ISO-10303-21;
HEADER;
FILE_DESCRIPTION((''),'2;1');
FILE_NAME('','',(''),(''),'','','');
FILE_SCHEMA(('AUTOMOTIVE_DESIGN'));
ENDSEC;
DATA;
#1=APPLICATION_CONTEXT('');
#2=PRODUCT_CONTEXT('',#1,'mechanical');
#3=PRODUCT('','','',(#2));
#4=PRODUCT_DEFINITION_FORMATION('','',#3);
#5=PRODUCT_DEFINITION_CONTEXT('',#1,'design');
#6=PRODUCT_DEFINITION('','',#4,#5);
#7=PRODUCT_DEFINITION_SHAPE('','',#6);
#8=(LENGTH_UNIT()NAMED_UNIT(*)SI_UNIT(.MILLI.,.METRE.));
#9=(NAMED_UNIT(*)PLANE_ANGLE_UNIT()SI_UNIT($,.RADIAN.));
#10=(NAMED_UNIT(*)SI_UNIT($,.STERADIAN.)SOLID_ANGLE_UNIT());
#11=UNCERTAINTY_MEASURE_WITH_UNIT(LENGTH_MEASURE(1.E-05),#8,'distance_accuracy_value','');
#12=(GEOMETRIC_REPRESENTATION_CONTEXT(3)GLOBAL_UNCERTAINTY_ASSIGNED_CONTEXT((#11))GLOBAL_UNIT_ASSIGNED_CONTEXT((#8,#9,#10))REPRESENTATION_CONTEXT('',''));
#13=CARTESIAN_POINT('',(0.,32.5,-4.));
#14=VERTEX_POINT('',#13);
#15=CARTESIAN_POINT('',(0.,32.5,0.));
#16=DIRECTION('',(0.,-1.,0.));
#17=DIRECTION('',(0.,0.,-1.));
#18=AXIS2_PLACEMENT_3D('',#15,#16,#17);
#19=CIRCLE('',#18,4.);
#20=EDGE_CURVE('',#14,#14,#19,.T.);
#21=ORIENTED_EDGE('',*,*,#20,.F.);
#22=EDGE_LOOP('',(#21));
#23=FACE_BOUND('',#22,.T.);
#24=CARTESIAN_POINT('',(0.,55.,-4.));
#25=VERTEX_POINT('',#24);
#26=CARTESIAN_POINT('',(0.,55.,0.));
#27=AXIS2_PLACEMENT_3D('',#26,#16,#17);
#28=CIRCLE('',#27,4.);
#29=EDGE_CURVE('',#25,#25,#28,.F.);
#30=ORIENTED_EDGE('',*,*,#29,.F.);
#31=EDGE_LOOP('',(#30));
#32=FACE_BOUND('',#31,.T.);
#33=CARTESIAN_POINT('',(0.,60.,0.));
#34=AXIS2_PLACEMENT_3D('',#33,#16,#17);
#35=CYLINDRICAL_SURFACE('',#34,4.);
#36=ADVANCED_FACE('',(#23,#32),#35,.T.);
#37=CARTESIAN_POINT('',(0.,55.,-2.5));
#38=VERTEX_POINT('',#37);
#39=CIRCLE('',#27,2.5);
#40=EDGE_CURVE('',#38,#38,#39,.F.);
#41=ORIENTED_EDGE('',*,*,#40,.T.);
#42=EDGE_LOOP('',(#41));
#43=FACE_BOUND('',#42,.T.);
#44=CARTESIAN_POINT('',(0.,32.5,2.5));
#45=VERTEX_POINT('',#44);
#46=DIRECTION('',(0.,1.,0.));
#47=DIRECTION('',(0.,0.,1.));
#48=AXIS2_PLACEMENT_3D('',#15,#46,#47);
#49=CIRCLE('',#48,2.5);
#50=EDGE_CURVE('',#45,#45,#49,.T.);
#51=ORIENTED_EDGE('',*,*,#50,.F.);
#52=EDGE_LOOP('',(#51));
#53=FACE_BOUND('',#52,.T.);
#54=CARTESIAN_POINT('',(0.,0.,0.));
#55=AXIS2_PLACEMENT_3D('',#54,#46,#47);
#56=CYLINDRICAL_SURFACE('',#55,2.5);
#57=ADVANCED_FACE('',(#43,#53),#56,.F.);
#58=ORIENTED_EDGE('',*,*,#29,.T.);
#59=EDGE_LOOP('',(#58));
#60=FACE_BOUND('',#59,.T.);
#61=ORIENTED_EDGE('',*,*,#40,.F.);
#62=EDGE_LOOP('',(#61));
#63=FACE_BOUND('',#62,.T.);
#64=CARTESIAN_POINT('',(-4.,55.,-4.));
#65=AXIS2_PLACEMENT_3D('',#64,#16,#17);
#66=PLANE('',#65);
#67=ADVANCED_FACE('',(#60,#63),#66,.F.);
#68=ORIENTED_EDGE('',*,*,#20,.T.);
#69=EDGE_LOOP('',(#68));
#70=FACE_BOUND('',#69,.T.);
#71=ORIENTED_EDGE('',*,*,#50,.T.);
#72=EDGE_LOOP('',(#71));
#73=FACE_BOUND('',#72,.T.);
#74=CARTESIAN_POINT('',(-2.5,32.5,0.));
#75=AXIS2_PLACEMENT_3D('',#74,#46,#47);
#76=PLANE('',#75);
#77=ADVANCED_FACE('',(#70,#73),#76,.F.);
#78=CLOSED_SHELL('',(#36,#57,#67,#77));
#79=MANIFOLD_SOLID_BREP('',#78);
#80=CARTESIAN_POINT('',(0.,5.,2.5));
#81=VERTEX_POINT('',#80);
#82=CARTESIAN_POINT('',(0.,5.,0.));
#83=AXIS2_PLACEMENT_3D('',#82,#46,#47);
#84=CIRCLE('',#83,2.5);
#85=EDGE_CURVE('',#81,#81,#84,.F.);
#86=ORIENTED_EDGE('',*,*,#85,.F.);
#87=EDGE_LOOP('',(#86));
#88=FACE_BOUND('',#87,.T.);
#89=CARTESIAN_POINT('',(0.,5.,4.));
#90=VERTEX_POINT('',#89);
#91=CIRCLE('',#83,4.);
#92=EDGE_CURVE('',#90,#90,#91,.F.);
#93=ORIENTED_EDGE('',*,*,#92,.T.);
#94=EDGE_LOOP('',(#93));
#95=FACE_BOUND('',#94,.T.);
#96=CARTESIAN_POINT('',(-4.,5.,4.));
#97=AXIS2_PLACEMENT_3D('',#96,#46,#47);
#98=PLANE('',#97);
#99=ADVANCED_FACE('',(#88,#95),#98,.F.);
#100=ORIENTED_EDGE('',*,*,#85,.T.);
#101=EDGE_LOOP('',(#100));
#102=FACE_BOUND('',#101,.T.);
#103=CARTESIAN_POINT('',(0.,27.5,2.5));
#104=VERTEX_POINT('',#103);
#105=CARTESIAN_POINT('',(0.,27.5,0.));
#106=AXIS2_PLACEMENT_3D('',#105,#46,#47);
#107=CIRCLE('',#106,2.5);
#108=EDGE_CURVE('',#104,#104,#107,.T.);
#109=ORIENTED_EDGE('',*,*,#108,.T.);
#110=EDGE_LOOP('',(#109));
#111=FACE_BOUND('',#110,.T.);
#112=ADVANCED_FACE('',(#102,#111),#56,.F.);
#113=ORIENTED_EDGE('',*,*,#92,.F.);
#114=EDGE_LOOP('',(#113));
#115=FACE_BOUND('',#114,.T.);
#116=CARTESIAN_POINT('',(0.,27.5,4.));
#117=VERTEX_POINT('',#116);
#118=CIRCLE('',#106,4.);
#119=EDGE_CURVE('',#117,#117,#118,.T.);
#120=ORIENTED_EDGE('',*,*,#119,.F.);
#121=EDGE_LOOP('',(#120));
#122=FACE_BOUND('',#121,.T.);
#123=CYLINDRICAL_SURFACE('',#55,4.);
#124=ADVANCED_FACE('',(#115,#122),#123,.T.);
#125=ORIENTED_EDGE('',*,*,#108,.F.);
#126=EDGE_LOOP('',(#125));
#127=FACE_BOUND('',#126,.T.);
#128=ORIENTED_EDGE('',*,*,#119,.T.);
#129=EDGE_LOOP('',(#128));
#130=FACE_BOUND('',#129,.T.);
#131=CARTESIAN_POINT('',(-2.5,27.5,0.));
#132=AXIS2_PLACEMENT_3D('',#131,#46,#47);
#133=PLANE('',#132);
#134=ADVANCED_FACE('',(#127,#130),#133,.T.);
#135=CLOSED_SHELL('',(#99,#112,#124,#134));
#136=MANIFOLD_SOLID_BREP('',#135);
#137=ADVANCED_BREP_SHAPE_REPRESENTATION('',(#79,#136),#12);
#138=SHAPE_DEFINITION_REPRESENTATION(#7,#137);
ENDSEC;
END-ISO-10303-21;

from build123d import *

# Parameters (mm, degrees)
SKETCH2_R               = 2.5
BOSS_EXTRUDE1_DEPTH     = 60
CUT_EXTRUDE1_DEPTH      = 61.104076401
CUT_EXTRUDE1_DEPTH_BACK = 61.104076401
SKETCH4_W               = 16.005108063
SKETCH4_H               = 5
SKETCH5_R               = 4
BOSS_EXTRUDE2_DEPTH     = 27.5
SKETCH6_R               = 4
BOSS_EXTRUDE3_DEPTH     = 27.5
CUT_EXTRUDE2_DEPTH      = 61.266076693
CUT_EXTRUDE2_DEPTH_BACK = 61.266076693
SKETCH7_R               = 2.5
CUT_EXTRUDE3_DEPTH      = 61.266076693
CUT_EXTRUDE3_DEPTH_BACK = 61.266076693
SKETCH8_W               = 8
SKETCH8_H               = 5


with BuildPart() as part:
    # Sketch2 → Boss-Extrude1 (new body)
    with BuildSketch(Plane(origin=(0, 0, 0), x_dir=(1, 0, 0), z_dir=(0, 1, 0))):
        with Locations(Location((0, 0, 0), (0, 0, 270))):
            Circle(SKETCH2_R)
    extrude(amount=BOSS_EXTRUDE1_DEPTH)

    # Sketch4 → Cut-Extrude1 (cut, two sides: drawn at the far end of the back side and taken through both)
    with BuildSketch(Plane(origin=(0, 0, 0), x_dir=(0, 0, -1), z_dir=(1, 0, 0)).offset(-CUT_EXTRUDE1_DEPTH_BACK)):
        with Locations((-1.726998302, 30)):
            Rectangle(SKETCH4_W, SKETCH4_H)
    extrude(amount=CUT_EXTRUDE1_DEPTH + CUT_EXTRUDE1_DEPTH_BACK, mode=Mode.SUBTRACT)


with BuildPart() as cut_extrude1_piece_1:
    # of the separate pieces the step leaves, piece 1, a body of its own (cut_extrude1_pieces)
    add(part.part.solids().sort_by_distance((0, 0, 2.5))[0])

    # Sketch6 → Boss-Extrude3 (add, through all)
    with BuildSketch(Plane(origin=(0, 27.5, 0), x_dir=(1, 0, 0), z_dir=(0, 1, 0))):
        with Locations(Location((0, 0, 0), (0, 0, 90))):
            Circle(SKETCH6_R)
    extrude(amount=-BOSS_EXTRUDE3_DEPTH)


with BuildPart() as cut_extrude1_piece_2:
    # of the separate pieces the step leaves, piece 2, a body of its own (cut_extrude1_pieces)
    add(part.part.solids().sort_by_distance((0, 32.5, 2.5))[0])

    # Sketch5 → Boss-Extrude2 (add, through all)
    with BuildSketch(Plane.XZ.offset(-32.5)):
        with Locations(Location((0, 0, 0), (0, 0, 270))):
            Circle(SKETCH5_R)
    extrude(amount=-BOSS_EXTRUDE2_DEPTH)


with BuildPart() as cut_extrude2_tool:
    # Sketch7 → Cut-Extrude2 (new, two sides: drawn at the far end of the back side and taken through both)
    with BuildSketch(Plane(origin=(0, 60, 0), x_dir=(1, 0, 0), z_dir=(0, 1, 0)).offset(-CUT_EXTRUDE2_DEPTH_BACK)):
        with Locations(Location((0, 0, 0), (0, 0, 270))):
            Circle(SKETCH7_R)
    extrude(amount=CUT_EXTRUDE2_DEPTH + CUT_EXTRUDE2_DEPTH_BACK)


with BuildPart() as cut_extrude1_piece_1_1:
    add(cut_extrude1_piece_1.part)

    # Cut-Extrude2: cut by cut_extrude2_tool
    add(cut_extrude2_tool.part, mode=Mode.SUBTRACT)


with BuildPart() as cut_extrude1_piece_2_1:
    add(cut_extrude1_piece_2.part)

    # Cut-Extrude2: cut by cut_extrude2_tool
    add(cut_extrude2_tool.part, mode=Mode.SUBTRACT)


with BuildPart() as cut_extrude3_tool:
    # Sketch8 → Cut-Extrude3 (new, two sides: drawn at the far end of the back side and taken through both)
    with BuildSketch(Plane(origin=(0, 0, 0), x_dir=(0, 0, -1), z_dir=(1, 0, 0)).offset(-CUT_EXTRUDE3_DEPTH_BACK)):
        with Locations((0, 57.5)):
            Rectangle(SKETCH8_W, SKETCH8_H)
        with Locations((0, 2.5)):
            Rectangle(SKETCH8_W, SKETCH8_H)
    extrude(amount=CUT_EXTRUDE3_DEPTH + CUT_EXTRUDE3_DEPTH_BACK)


with BuildPart() as cut_extrude1_piece_1_2:
    add(cut_extrude1_piece_1_1.part)

    # Cut-Extrude3: cut by cut_extrude3_tool
    add(cut_extrude3_tool.part, mode=Mode.SUBTRACT)


with BuildPart() as cut_extrude1_piece_2_2:
    add(cut_extrude1_piece_2_1.part)

    # Cut-Extrude3: cut by cut_extrude3_tool
    add(cut_extrude3_tool.part, mode=Mode.SUBTRACT)


solid = Compound([cut_extrude1_piece_1_2.part, cut_extrude1_piece_2_2.part])
